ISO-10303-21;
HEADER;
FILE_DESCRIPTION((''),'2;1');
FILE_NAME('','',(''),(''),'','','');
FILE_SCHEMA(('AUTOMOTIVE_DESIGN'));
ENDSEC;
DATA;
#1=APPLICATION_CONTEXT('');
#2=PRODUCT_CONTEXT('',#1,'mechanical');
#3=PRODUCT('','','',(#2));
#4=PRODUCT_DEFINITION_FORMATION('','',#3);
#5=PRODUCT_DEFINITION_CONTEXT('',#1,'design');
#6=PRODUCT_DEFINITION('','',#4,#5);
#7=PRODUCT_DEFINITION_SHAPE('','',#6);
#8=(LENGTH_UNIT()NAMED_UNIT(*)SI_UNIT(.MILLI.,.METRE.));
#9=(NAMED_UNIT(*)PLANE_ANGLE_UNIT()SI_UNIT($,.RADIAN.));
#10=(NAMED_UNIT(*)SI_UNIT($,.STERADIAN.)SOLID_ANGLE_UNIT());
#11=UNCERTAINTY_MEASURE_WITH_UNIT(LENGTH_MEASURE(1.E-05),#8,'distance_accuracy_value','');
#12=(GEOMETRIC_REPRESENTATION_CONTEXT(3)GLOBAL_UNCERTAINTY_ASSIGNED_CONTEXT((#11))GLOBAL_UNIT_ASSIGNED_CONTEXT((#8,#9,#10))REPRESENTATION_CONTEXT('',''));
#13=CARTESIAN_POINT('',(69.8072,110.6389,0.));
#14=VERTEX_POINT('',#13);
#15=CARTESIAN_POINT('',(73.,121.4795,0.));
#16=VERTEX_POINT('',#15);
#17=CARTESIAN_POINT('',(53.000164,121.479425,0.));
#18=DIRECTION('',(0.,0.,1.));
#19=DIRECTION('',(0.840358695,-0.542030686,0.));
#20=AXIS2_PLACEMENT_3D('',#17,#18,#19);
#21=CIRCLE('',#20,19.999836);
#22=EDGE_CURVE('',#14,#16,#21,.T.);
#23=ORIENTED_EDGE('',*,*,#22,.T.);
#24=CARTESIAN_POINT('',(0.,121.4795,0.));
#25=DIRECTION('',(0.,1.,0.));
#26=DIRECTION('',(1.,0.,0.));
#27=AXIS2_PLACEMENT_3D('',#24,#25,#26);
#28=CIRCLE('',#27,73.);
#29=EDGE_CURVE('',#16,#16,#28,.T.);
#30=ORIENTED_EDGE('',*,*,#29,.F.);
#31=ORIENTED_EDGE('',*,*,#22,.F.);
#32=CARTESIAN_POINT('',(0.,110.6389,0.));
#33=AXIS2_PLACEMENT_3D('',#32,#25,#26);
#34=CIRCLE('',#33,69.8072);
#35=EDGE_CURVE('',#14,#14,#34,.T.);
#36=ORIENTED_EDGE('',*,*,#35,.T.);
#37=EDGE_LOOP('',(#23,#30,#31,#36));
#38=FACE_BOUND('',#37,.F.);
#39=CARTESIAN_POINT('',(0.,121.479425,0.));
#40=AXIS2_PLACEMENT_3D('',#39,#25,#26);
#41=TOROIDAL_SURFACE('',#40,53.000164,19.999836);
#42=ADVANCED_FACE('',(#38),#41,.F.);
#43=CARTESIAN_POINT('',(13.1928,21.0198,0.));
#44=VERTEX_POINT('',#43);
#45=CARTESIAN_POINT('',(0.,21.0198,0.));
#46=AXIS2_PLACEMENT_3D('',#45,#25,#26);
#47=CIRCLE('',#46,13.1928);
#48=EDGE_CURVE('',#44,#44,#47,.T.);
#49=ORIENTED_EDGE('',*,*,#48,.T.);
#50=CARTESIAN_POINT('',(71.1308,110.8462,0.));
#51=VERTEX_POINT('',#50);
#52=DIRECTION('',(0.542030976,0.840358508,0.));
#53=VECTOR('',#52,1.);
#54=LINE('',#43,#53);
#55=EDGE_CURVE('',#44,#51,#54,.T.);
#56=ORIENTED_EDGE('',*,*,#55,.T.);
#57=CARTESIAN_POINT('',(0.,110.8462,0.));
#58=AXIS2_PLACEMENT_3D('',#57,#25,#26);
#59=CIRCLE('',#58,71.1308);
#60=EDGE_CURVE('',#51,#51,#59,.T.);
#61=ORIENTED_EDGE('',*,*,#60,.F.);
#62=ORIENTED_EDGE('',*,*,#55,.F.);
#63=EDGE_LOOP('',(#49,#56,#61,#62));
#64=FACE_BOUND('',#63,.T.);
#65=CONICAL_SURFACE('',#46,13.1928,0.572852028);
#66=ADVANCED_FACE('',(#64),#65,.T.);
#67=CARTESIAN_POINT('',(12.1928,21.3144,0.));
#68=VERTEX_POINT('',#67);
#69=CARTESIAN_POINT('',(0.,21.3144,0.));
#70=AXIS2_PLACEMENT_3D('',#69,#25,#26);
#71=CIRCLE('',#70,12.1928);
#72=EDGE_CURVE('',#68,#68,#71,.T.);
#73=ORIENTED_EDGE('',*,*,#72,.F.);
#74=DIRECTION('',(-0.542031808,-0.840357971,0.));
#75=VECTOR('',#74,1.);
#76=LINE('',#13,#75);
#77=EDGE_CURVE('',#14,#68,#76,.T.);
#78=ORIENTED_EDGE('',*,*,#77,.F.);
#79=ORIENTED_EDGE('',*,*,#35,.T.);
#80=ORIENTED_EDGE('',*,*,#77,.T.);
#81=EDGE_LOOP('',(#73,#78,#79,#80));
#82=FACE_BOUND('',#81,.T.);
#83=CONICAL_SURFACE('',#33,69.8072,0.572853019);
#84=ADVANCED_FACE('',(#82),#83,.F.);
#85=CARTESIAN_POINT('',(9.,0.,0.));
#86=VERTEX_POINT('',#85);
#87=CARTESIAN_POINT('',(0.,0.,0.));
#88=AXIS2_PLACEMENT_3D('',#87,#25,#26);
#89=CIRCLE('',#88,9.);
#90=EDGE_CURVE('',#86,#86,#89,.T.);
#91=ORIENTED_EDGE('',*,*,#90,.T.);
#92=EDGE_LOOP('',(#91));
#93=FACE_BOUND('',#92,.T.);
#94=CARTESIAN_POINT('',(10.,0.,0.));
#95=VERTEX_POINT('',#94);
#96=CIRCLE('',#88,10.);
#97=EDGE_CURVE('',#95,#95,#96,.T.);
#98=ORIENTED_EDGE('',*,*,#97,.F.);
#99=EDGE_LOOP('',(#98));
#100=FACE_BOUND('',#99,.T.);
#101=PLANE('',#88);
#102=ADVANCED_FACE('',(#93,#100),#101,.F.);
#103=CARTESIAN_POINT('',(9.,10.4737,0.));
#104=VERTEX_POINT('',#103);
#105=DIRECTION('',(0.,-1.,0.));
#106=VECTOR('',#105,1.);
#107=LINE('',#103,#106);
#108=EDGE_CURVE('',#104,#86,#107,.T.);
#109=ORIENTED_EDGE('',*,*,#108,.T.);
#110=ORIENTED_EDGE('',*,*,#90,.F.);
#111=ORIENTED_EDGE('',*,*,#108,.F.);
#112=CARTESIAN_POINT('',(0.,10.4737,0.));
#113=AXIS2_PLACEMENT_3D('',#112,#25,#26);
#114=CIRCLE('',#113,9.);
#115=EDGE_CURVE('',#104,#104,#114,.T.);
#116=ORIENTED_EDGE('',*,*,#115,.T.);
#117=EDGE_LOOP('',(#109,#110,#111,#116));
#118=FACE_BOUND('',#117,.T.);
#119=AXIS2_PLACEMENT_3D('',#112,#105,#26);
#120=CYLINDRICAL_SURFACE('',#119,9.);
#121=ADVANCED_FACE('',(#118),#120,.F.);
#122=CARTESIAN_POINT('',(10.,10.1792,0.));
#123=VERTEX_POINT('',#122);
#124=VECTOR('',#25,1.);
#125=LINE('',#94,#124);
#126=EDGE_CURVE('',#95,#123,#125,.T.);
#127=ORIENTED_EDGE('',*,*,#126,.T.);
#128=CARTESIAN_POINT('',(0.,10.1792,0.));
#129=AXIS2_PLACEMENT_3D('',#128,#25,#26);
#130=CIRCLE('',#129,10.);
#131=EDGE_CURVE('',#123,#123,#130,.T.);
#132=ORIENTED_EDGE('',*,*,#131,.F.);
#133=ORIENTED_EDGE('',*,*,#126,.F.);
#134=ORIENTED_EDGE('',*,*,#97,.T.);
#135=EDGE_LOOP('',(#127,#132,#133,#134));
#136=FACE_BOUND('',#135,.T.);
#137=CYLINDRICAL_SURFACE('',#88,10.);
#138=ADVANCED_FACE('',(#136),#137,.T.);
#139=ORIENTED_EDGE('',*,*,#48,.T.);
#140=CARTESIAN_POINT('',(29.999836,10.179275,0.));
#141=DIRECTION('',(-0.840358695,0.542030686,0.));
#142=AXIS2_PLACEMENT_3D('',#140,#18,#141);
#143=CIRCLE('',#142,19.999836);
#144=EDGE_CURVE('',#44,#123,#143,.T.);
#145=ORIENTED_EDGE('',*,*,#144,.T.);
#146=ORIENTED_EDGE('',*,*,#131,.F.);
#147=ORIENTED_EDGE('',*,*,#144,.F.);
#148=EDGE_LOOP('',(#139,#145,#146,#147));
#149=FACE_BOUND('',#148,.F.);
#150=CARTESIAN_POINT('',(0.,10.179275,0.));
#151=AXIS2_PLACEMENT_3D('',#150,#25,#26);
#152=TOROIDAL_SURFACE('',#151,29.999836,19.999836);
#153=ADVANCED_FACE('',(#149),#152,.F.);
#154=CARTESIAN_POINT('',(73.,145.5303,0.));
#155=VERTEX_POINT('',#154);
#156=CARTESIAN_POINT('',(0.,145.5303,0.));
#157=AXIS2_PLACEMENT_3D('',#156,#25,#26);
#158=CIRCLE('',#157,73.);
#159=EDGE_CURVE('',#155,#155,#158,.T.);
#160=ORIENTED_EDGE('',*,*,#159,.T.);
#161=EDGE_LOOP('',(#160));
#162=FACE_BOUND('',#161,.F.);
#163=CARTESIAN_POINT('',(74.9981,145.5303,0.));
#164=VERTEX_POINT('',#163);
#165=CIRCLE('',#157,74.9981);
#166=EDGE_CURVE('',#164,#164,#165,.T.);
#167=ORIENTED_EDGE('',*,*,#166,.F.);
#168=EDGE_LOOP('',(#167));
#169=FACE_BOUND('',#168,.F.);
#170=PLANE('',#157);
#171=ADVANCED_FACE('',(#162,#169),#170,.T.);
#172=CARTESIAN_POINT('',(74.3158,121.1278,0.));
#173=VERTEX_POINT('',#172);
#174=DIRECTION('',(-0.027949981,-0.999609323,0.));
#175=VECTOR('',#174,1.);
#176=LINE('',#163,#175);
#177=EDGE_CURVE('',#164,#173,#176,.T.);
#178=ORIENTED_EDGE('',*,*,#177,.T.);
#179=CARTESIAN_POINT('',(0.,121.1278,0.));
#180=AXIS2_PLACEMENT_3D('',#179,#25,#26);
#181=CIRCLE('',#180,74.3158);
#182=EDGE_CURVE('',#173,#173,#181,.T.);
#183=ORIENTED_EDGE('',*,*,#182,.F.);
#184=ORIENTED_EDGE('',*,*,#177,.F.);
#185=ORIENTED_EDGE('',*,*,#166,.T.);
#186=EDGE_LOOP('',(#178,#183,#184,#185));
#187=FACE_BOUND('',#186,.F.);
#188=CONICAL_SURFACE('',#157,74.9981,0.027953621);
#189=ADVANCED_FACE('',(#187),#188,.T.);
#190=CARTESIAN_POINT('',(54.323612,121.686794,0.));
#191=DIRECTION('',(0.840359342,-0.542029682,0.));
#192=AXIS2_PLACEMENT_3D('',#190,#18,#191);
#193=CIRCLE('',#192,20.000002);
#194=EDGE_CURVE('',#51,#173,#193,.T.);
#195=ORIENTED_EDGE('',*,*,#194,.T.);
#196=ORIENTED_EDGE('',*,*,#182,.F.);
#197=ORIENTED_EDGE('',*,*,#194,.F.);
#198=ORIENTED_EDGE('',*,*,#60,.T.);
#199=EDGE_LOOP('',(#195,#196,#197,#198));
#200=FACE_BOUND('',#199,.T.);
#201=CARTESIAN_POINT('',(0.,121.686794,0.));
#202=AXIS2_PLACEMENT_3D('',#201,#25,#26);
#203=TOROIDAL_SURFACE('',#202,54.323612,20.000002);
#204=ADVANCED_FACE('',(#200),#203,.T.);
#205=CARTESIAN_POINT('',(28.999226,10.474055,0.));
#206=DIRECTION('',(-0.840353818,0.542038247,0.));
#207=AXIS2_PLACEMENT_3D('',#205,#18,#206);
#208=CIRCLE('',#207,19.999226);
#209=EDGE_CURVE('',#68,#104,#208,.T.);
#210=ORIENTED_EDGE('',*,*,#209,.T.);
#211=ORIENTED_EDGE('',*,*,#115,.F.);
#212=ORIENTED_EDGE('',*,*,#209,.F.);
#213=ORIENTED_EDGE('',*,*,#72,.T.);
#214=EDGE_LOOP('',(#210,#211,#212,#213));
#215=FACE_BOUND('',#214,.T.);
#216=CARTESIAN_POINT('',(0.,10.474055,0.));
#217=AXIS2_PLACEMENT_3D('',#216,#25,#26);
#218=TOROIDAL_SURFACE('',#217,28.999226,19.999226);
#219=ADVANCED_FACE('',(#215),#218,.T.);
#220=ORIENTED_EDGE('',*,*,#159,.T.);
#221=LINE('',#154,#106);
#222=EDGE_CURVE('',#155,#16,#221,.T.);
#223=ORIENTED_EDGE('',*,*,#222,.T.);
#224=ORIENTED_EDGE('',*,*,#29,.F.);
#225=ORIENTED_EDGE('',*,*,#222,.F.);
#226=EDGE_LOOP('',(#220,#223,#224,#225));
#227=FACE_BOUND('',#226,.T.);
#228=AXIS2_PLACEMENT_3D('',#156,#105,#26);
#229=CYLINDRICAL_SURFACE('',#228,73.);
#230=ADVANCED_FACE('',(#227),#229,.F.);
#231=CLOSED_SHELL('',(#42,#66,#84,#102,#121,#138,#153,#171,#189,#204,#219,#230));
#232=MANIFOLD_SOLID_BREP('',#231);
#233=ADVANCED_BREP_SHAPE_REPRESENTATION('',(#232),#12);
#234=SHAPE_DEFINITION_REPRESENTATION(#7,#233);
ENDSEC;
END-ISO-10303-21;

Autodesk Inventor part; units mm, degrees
ref_plane "YZ Plane" through (0, 0, 0) normal (1, 0, 0) x (0, 1, 0)
ref_plane "XZ Plane" through (0, 0, 0) normal (0, 1, 0) x (-1, 0, 0)
ref_plane "XY Plane" through (0, 0, 0) normal (0, 0, 1) x (1, 0, 0)
sketch "Sketch1" plane through (0, 0, 0) normal (0, 0, 1) x (1, 0, 0)
  line L0 (0, 0) -> (0, 20)
  line L1 (0, 0) -> (0, 145)
  line L2 (74.9981, 145.5303) -> (74.1596, 115.542)
  line L3 (10, 0) -> (10, 10.1792)
  line L4 (13.1928, 21.0198) -> (71.1308, 110.8462)
  line L5 (73, 145.5303) -> (73, 121.4795)
  line L6 (69.8072, 110.6389) -> (12.1928, 21.3144)
  line L7 (9, 10.4737) -> (9, 0)
  line L8 (9, 0) -> (10, 0)
  line L9 (73, 145.5303) -> (74.9981, 145.5303)
  arc A0 (69.8072, 110.6389) -> (73, 121.4795) centre (53, 121.4795) ccw
  arc A1 (71.1308, 110.8462) -> (74.3158, 121.1278) centre (54.3236, 121.6868) ccw
  arc A2 (13.1928, 21.0198) -> (10, 10.1792) centre (30, 10.1792) ccw
  arc A3 (12.1928, 21.3144) -> (9, 10.4737) centre (29, 10.4737) ccw
  dimension "d0" = 20
  dimension "d4" = 10
  dimension "d16" = 75
  dimension "d20" = 1
  dimension "d21" = 20
  dimension "d26" = 30
  dimension "d27" = 89.8263
  dimension "d28" = 106.8905
  dimension "d29" = 10.4738
revolve "Revolution1" add sketch "Sketch1" angle 360 about axis through (0, 0, 0) along (0, 1, 0)
properties part number "Funnel 2" material "PET Plastic"
